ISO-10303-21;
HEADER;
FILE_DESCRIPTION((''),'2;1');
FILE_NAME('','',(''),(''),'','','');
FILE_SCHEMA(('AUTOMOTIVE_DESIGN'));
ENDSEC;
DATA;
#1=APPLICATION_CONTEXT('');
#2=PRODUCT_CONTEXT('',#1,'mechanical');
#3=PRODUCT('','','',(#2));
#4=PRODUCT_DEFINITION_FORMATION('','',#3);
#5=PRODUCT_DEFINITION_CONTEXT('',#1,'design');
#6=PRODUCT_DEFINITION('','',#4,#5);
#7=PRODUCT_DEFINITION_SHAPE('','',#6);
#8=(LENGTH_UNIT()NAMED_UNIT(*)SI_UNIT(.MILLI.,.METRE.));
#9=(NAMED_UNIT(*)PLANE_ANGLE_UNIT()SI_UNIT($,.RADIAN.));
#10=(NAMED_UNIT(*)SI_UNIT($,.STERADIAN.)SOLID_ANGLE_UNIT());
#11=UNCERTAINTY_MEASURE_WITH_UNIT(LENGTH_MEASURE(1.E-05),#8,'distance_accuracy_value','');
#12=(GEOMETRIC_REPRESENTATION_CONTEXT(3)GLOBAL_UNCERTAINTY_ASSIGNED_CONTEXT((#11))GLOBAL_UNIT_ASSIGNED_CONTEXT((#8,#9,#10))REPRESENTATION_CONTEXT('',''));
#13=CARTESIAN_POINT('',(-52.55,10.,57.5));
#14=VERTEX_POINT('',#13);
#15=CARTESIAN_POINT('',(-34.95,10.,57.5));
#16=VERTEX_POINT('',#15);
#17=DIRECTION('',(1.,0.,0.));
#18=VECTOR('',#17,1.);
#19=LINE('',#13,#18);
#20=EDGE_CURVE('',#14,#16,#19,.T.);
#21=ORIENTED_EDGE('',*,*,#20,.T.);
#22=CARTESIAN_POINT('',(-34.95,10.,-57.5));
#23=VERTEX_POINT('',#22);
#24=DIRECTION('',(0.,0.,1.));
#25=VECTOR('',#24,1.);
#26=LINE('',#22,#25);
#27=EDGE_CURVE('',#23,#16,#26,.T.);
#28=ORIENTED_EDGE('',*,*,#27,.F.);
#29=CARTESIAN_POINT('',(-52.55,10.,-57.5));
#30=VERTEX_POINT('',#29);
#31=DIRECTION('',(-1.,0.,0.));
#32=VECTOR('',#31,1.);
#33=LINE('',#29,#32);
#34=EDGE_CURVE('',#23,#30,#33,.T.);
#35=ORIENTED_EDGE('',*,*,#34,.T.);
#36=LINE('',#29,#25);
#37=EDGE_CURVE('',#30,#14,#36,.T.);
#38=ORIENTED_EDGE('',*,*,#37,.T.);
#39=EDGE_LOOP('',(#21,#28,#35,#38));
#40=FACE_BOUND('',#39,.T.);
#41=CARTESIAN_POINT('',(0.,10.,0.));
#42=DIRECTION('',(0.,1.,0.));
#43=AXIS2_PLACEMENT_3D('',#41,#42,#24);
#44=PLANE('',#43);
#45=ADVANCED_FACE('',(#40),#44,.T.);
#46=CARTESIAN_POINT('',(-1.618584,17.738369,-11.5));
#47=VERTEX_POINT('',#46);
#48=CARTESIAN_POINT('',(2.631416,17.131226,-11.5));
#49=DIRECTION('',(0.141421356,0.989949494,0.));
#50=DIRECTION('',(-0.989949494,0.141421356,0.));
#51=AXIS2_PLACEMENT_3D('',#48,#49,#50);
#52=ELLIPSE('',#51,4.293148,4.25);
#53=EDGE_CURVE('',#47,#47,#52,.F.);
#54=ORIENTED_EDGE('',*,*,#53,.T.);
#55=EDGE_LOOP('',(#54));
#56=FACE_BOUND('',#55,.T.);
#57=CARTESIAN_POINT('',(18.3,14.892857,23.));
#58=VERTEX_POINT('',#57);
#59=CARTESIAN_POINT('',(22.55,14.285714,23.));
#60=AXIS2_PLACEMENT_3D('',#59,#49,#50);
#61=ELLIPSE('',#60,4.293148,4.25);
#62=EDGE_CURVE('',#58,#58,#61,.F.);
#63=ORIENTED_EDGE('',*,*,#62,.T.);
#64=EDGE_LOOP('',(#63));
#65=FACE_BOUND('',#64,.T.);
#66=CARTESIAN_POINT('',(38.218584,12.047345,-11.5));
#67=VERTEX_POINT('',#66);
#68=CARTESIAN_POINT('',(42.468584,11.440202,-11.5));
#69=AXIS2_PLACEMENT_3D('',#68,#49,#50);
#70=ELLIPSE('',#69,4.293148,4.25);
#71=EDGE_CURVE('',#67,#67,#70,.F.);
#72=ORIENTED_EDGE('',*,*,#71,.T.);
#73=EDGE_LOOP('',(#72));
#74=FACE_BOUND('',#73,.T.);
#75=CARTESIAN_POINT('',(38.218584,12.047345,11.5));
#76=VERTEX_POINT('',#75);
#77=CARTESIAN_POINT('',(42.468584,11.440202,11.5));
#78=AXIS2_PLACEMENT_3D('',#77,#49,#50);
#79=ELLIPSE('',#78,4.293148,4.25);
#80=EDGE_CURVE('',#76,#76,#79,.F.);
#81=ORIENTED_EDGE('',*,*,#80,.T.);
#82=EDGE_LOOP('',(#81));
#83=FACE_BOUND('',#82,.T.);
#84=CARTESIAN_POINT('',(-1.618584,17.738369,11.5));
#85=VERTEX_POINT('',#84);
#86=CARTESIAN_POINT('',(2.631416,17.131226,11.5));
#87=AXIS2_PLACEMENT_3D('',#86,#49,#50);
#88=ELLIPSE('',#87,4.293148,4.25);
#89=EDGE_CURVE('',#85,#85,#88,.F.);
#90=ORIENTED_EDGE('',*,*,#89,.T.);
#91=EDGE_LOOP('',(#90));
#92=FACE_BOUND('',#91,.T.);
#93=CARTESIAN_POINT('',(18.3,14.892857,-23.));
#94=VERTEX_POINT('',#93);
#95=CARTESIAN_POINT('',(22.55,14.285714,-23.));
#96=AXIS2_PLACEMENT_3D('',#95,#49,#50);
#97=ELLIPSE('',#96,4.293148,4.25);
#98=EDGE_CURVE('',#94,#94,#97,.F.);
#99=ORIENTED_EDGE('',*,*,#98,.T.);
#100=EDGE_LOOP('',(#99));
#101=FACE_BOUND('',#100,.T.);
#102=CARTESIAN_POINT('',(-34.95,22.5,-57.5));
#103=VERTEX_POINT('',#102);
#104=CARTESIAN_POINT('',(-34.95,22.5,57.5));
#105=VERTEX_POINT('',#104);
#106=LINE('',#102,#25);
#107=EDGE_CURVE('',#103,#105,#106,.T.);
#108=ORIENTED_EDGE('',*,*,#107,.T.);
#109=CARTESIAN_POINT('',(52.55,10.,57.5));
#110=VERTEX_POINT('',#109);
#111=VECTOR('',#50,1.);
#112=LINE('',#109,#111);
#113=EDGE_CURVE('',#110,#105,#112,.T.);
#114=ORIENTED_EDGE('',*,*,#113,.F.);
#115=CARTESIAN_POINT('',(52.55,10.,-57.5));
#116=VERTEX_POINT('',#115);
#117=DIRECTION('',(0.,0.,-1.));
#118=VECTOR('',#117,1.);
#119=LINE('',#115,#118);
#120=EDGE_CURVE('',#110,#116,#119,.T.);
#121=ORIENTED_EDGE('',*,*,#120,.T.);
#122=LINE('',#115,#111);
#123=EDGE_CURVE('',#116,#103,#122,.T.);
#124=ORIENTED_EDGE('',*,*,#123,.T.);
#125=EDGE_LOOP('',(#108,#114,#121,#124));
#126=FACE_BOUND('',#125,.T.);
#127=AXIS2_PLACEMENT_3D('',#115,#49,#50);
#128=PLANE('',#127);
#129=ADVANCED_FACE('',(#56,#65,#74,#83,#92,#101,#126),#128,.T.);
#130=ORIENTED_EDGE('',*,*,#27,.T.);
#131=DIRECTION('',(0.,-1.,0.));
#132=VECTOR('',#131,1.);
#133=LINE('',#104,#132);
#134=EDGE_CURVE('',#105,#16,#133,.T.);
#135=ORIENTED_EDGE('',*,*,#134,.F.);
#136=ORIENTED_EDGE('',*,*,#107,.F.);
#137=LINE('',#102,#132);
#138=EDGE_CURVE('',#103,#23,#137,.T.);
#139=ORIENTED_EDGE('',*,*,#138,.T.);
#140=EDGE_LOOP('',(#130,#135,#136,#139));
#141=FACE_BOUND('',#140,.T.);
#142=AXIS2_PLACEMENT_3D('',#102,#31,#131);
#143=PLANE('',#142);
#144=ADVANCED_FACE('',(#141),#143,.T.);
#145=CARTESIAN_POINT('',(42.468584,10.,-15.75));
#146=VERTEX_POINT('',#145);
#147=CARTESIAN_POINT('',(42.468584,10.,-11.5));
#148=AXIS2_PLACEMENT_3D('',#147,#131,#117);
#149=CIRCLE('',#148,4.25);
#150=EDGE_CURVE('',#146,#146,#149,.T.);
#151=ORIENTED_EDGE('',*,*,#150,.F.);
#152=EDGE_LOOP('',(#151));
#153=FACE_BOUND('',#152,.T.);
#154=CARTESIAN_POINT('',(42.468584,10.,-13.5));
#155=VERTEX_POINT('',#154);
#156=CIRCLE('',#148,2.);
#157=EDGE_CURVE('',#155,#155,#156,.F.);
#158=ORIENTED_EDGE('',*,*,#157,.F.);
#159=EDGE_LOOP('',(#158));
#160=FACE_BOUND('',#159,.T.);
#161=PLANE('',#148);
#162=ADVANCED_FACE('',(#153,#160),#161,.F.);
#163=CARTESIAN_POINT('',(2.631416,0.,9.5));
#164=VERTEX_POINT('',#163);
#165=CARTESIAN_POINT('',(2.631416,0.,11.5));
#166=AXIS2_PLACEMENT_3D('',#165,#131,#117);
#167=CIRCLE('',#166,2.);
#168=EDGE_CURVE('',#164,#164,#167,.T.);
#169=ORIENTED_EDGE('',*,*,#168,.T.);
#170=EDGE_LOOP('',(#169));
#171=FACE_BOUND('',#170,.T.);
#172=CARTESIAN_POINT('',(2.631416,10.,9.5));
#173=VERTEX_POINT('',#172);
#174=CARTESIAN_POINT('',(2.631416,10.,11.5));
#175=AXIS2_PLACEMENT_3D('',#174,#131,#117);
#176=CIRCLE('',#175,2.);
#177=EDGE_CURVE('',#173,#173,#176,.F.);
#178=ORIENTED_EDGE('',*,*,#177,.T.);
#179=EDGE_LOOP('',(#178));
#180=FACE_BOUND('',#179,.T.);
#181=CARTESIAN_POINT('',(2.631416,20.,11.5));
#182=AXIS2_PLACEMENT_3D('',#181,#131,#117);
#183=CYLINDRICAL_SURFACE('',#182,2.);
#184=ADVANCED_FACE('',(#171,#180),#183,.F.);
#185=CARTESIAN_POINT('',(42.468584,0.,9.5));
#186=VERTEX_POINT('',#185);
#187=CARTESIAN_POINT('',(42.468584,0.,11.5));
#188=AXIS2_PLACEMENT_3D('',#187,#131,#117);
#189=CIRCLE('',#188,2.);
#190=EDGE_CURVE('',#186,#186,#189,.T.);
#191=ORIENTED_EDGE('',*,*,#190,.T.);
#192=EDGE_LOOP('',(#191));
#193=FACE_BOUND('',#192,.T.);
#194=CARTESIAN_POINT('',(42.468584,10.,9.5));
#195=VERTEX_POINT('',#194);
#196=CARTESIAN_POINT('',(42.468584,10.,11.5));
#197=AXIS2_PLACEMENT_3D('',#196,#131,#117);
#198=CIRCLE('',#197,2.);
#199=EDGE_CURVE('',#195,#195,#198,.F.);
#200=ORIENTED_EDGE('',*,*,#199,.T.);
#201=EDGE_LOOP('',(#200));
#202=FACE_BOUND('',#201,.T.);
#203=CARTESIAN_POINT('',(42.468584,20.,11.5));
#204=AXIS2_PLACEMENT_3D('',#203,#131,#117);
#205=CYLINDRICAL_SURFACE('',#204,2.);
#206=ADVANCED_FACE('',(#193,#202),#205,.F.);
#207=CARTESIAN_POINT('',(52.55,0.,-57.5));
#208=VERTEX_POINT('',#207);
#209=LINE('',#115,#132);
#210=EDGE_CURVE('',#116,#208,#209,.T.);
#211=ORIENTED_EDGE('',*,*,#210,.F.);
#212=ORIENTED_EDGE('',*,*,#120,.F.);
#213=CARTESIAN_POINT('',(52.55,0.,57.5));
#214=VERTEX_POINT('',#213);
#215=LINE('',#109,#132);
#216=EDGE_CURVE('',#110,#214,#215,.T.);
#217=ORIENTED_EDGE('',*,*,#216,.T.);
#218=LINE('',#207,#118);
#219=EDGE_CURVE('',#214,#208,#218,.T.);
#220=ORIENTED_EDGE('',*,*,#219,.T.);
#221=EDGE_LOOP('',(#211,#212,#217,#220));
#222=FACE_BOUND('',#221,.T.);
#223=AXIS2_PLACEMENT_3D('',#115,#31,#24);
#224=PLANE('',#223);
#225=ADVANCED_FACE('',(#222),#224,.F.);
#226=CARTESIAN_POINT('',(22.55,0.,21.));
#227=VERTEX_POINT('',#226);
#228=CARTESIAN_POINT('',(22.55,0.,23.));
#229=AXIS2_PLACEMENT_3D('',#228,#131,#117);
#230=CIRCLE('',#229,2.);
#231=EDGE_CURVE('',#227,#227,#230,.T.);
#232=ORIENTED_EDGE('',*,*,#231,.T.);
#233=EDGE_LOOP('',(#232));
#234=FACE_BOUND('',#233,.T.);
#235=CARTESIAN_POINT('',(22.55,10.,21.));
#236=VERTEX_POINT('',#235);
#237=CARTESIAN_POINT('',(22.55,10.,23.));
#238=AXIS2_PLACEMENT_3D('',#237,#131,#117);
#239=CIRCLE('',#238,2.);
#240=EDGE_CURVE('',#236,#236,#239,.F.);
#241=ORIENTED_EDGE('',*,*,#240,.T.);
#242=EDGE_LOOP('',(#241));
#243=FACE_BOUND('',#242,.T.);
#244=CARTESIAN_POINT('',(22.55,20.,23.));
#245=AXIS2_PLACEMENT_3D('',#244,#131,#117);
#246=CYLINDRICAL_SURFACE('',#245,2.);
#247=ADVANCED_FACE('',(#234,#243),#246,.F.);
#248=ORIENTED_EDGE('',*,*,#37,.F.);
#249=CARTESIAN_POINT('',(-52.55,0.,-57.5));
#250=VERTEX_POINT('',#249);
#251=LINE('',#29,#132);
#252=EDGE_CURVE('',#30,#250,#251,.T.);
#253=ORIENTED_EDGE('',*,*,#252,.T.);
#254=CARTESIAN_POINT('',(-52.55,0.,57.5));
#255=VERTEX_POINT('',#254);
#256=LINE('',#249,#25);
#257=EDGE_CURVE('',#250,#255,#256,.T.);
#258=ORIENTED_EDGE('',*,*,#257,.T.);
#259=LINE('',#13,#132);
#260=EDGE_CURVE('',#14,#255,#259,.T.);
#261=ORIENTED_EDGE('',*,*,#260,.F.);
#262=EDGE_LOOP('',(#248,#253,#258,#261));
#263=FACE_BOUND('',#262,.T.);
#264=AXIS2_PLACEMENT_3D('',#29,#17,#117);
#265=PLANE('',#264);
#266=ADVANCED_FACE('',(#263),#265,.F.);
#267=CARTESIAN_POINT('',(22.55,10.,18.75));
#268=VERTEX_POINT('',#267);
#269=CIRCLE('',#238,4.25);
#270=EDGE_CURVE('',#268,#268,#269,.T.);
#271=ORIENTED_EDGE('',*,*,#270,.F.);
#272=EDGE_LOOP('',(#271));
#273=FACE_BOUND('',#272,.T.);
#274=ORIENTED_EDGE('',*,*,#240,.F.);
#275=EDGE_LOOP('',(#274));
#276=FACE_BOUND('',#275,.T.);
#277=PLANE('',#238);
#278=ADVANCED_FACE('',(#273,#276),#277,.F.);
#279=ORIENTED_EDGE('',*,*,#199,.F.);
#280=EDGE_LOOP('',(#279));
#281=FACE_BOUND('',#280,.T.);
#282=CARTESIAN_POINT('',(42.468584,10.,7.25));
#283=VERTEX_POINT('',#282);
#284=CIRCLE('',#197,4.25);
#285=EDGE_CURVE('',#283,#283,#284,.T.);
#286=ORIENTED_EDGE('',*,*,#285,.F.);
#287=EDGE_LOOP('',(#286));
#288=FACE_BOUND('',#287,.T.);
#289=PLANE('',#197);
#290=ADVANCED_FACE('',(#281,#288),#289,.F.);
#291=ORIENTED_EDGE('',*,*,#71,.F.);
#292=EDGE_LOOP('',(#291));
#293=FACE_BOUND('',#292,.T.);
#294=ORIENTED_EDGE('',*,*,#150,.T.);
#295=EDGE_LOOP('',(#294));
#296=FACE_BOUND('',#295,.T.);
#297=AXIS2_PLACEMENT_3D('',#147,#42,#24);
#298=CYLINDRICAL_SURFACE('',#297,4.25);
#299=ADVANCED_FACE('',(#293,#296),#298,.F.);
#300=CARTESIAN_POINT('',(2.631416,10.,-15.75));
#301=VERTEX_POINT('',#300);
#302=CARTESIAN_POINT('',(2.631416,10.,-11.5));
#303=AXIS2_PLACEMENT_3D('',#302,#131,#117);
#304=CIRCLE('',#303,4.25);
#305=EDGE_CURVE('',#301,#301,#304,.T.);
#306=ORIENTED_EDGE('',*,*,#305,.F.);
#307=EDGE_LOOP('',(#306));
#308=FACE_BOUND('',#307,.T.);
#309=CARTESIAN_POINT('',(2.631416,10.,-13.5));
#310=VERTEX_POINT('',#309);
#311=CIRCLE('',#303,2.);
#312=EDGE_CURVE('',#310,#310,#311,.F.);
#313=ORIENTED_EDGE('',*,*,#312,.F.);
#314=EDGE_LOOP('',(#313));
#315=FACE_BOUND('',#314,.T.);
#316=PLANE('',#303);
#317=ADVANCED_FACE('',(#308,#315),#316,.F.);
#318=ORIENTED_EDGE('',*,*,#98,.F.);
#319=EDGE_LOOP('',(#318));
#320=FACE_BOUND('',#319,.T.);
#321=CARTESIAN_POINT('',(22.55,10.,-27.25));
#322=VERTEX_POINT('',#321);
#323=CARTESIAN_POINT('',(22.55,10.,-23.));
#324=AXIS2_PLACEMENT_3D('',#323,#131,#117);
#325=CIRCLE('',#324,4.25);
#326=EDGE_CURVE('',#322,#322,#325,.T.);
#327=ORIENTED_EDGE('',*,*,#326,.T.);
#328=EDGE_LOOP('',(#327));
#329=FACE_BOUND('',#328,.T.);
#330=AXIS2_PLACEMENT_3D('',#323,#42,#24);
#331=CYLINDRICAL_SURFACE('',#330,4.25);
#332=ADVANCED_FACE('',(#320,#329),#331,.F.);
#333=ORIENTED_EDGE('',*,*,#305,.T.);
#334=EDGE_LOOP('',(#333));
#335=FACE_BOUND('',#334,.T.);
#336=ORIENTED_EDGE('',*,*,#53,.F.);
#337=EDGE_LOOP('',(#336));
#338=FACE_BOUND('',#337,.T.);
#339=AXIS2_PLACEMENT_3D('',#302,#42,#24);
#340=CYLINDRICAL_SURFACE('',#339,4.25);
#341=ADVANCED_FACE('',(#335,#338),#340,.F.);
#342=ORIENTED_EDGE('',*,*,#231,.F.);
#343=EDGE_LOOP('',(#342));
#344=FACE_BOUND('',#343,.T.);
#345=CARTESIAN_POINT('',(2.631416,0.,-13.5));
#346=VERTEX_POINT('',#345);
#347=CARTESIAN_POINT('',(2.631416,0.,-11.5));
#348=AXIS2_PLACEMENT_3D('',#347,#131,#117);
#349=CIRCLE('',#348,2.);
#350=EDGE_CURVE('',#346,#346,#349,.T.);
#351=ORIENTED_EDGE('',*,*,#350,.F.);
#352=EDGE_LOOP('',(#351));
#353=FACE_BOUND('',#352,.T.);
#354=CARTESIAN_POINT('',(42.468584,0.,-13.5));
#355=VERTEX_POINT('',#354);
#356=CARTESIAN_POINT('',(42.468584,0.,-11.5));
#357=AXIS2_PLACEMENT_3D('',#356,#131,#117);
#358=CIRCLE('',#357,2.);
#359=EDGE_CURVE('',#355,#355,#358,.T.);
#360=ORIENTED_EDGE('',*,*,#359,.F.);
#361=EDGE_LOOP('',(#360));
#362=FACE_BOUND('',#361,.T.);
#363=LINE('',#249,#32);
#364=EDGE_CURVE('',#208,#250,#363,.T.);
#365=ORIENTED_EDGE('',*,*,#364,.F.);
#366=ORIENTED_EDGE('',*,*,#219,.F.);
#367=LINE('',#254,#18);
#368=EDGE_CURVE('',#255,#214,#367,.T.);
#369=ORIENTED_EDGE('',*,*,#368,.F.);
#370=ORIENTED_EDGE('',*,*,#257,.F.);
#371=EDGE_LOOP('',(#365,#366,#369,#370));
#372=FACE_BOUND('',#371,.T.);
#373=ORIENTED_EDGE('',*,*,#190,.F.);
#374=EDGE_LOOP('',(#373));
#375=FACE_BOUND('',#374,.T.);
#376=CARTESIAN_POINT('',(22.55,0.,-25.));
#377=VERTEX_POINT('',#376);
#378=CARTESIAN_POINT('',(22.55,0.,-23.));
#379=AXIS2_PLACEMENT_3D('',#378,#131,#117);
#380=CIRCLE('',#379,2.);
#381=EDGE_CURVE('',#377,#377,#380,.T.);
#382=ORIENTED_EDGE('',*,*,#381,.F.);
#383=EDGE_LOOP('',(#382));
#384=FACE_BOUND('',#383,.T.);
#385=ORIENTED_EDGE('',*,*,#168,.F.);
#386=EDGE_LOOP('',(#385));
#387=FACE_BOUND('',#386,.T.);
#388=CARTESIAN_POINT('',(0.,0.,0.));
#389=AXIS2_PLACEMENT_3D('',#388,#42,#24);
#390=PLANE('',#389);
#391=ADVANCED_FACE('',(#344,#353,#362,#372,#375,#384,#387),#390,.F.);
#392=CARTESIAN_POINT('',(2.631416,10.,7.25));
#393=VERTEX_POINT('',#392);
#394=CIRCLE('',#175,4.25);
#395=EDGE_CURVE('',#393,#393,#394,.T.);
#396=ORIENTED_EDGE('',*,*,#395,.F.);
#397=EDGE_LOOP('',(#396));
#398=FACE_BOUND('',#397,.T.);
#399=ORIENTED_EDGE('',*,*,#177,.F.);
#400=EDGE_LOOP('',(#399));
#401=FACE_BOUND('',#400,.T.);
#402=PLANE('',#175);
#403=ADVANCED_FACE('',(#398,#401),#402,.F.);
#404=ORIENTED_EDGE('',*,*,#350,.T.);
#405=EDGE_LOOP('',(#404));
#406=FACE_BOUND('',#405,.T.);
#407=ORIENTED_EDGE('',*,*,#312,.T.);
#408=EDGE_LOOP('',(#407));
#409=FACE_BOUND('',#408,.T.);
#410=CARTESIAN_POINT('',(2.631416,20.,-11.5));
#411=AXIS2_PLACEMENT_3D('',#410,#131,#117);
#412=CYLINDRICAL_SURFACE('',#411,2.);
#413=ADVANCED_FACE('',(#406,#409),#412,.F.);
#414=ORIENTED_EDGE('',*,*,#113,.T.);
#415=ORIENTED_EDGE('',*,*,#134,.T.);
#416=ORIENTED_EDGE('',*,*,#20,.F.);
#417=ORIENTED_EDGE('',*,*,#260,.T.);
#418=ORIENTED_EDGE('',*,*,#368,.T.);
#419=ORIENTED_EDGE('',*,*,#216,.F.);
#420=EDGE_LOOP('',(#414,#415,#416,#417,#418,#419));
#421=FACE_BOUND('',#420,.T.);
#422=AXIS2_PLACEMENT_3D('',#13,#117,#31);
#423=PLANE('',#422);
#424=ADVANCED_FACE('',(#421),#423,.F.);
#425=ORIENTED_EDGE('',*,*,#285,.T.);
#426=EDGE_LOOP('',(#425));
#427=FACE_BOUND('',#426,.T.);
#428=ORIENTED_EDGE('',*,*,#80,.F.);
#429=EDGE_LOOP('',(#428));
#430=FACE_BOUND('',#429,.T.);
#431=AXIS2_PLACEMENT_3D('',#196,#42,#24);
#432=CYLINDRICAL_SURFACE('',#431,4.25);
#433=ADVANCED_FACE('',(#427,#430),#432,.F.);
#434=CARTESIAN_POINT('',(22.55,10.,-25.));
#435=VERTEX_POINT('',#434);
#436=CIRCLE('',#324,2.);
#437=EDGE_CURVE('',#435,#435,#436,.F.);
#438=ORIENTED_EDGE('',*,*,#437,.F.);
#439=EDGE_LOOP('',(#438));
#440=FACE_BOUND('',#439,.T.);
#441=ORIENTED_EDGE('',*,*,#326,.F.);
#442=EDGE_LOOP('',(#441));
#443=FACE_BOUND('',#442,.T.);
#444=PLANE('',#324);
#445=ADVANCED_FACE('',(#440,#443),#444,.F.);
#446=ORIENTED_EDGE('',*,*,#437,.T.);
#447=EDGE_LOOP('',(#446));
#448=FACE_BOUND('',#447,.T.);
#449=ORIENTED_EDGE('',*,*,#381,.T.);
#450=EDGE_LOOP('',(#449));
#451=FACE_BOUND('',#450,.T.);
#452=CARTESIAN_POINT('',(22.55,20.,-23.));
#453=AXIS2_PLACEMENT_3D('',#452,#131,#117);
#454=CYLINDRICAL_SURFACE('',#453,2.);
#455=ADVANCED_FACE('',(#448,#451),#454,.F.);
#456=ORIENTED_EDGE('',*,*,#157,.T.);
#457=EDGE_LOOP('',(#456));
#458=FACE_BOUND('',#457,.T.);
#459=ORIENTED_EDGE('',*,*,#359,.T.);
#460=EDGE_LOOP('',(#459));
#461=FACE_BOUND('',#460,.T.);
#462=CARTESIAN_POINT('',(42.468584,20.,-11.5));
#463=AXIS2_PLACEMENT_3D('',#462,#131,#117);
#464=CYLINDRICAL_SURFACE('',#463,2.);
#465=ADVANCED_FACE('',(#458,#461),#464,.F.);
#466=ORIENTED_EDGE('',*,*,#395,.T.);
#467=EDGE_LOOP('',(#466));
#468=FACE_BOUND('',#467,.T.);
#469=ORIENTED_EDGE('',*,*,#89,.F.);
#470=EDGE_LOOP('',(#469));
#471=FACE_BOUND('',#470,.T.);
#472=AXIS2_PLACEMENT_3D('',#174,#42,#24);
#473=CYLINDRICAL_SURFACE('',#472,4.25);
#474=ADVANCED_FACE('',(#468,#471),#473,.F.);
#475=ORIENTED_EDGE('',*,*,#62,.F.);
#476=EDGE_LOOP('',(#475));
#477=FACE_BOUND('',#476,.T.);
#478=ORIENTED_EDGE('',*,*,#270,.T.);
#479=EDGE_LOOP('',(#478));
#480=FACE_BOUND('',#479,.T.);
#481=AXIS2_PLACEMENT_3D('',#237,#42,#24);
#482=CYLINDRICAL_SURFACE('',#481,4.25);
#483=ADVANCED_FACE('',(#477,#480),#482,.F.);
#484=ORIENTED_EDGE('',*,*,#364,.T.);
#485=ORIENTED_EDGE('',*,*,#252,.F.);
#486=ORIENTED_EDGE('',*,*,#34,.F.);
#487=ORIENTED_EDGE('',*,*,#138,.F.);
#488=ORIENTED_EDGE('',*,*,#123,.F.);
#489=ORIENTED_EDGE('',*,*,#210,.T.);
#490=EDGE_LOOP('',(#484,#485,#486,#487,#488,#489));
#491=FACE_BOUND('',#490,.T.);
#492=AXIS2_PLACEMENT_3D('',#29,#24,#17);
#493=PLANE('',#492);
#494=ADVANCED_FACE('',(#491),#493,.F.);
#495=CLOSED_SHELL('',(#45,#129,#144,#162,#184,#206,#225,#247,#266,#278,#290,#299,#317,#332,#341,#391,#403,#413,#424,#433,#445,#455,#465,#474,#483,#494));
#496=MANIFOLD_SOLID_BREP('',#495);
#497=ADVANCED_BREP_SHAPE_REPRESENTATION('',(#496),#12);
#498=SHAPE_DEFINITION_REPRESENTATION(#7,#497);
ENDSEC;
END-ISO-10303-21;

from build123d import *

# Parameters (mm, degrees)
SKETCH1_W           = 105.1
SKETCH1_H           = 115
BOSS_EXTRUDE1_DEPTH = 10
BOSS_EXTRUDE2_DEPTH = 115
SKETCH2_R           = 2
CUT_EXTRUDE1_DEPTH  = 20
SKETCH4_R           = 4.25
CUT_EXTRUDE2_DEPTH  = 40


with BuildPart() as part:
    # Sketch1 → Boss-Extrude1 (new body)
    with BuildSketch(Plane(origin=(0, 0, 0), x_dir=(1, 0, 0), z_dir=(0, 1, 0))):
        Rectangle(SKETCH1_W, SKETCH1_H)
    extrude(amount=BOSS_EXTRUDE1_DEPTH)

    # Sketch3 → Boss-Extrude2 (add)
    with BuildSketch(Plane.XY.offset(57.5)):
        Polygon((-34.95, 10), (52.55, 10), (-34.95, 22.5), align=None)
    extrude(amount=-BOSS_EXTRUDE2_DEPTH)

    # Sketch2 → Cut-Extrude1 (cut)
    with BuildSketch(Plane.XZ):
        with Locations(Location((22.55, 23, 0), (0, 0, 270))):
            Circle(SKETCH2_R)
        with Locations(Location((2.631415713, 11.5, 0), (0, 0, 270))):
            Circle(SKETCH2_R)
        with Locations(Location((2.631415713, -11.5, 0), (0, 0, 270))):
            Circle(SKETCH2_R)
        with Locations(Location((22.55, -23, 0), (0, 0, 270))):
            Circle(SKETCH2_R)
        with Locations(Location((42.468584287, -11.5, 0), (0, 0, 270))):
            Circle(SKETCH2_R)
        with Locations(Location((42.468584287, 11.5, 0), (0, 0, 270))):
            Circle(SKETCH2_R)
    extrude(amount=-CUT_EXTRUDE1_DEPTH, mode=Mode.SUBTRACT)

    # Sketch4 → Cut-Extrude2 (cut)
    with BuildSketch(Plane(origin=(0, 50, 0), x_dir=(-1, 0, 0), z_dir=(0, -1, 0))):
        with Locations((-22.55, 23)):
            Circle(SKETCH4_R)
        with Locations((-2.631415713, 11.5)):
            Circle(SKETCH4_R)
        with Locations((-2.631415713, -11.5)):
            Circle(SKETCH4_R)
        with Locations((-22.55, -23)):
            Circle(SKETCH4_R)
        with Locations((-42.468584287, -11.5)):
            Circle(SKETCH4_R)
        with Locations((-42.468584287, 11.5)):
            Circle(SKETCH4_R)
    extrude(amount=CUT_EXTRUDE2_DEPTH, mode=Mode.SUBTRACT)


solid = part.part
